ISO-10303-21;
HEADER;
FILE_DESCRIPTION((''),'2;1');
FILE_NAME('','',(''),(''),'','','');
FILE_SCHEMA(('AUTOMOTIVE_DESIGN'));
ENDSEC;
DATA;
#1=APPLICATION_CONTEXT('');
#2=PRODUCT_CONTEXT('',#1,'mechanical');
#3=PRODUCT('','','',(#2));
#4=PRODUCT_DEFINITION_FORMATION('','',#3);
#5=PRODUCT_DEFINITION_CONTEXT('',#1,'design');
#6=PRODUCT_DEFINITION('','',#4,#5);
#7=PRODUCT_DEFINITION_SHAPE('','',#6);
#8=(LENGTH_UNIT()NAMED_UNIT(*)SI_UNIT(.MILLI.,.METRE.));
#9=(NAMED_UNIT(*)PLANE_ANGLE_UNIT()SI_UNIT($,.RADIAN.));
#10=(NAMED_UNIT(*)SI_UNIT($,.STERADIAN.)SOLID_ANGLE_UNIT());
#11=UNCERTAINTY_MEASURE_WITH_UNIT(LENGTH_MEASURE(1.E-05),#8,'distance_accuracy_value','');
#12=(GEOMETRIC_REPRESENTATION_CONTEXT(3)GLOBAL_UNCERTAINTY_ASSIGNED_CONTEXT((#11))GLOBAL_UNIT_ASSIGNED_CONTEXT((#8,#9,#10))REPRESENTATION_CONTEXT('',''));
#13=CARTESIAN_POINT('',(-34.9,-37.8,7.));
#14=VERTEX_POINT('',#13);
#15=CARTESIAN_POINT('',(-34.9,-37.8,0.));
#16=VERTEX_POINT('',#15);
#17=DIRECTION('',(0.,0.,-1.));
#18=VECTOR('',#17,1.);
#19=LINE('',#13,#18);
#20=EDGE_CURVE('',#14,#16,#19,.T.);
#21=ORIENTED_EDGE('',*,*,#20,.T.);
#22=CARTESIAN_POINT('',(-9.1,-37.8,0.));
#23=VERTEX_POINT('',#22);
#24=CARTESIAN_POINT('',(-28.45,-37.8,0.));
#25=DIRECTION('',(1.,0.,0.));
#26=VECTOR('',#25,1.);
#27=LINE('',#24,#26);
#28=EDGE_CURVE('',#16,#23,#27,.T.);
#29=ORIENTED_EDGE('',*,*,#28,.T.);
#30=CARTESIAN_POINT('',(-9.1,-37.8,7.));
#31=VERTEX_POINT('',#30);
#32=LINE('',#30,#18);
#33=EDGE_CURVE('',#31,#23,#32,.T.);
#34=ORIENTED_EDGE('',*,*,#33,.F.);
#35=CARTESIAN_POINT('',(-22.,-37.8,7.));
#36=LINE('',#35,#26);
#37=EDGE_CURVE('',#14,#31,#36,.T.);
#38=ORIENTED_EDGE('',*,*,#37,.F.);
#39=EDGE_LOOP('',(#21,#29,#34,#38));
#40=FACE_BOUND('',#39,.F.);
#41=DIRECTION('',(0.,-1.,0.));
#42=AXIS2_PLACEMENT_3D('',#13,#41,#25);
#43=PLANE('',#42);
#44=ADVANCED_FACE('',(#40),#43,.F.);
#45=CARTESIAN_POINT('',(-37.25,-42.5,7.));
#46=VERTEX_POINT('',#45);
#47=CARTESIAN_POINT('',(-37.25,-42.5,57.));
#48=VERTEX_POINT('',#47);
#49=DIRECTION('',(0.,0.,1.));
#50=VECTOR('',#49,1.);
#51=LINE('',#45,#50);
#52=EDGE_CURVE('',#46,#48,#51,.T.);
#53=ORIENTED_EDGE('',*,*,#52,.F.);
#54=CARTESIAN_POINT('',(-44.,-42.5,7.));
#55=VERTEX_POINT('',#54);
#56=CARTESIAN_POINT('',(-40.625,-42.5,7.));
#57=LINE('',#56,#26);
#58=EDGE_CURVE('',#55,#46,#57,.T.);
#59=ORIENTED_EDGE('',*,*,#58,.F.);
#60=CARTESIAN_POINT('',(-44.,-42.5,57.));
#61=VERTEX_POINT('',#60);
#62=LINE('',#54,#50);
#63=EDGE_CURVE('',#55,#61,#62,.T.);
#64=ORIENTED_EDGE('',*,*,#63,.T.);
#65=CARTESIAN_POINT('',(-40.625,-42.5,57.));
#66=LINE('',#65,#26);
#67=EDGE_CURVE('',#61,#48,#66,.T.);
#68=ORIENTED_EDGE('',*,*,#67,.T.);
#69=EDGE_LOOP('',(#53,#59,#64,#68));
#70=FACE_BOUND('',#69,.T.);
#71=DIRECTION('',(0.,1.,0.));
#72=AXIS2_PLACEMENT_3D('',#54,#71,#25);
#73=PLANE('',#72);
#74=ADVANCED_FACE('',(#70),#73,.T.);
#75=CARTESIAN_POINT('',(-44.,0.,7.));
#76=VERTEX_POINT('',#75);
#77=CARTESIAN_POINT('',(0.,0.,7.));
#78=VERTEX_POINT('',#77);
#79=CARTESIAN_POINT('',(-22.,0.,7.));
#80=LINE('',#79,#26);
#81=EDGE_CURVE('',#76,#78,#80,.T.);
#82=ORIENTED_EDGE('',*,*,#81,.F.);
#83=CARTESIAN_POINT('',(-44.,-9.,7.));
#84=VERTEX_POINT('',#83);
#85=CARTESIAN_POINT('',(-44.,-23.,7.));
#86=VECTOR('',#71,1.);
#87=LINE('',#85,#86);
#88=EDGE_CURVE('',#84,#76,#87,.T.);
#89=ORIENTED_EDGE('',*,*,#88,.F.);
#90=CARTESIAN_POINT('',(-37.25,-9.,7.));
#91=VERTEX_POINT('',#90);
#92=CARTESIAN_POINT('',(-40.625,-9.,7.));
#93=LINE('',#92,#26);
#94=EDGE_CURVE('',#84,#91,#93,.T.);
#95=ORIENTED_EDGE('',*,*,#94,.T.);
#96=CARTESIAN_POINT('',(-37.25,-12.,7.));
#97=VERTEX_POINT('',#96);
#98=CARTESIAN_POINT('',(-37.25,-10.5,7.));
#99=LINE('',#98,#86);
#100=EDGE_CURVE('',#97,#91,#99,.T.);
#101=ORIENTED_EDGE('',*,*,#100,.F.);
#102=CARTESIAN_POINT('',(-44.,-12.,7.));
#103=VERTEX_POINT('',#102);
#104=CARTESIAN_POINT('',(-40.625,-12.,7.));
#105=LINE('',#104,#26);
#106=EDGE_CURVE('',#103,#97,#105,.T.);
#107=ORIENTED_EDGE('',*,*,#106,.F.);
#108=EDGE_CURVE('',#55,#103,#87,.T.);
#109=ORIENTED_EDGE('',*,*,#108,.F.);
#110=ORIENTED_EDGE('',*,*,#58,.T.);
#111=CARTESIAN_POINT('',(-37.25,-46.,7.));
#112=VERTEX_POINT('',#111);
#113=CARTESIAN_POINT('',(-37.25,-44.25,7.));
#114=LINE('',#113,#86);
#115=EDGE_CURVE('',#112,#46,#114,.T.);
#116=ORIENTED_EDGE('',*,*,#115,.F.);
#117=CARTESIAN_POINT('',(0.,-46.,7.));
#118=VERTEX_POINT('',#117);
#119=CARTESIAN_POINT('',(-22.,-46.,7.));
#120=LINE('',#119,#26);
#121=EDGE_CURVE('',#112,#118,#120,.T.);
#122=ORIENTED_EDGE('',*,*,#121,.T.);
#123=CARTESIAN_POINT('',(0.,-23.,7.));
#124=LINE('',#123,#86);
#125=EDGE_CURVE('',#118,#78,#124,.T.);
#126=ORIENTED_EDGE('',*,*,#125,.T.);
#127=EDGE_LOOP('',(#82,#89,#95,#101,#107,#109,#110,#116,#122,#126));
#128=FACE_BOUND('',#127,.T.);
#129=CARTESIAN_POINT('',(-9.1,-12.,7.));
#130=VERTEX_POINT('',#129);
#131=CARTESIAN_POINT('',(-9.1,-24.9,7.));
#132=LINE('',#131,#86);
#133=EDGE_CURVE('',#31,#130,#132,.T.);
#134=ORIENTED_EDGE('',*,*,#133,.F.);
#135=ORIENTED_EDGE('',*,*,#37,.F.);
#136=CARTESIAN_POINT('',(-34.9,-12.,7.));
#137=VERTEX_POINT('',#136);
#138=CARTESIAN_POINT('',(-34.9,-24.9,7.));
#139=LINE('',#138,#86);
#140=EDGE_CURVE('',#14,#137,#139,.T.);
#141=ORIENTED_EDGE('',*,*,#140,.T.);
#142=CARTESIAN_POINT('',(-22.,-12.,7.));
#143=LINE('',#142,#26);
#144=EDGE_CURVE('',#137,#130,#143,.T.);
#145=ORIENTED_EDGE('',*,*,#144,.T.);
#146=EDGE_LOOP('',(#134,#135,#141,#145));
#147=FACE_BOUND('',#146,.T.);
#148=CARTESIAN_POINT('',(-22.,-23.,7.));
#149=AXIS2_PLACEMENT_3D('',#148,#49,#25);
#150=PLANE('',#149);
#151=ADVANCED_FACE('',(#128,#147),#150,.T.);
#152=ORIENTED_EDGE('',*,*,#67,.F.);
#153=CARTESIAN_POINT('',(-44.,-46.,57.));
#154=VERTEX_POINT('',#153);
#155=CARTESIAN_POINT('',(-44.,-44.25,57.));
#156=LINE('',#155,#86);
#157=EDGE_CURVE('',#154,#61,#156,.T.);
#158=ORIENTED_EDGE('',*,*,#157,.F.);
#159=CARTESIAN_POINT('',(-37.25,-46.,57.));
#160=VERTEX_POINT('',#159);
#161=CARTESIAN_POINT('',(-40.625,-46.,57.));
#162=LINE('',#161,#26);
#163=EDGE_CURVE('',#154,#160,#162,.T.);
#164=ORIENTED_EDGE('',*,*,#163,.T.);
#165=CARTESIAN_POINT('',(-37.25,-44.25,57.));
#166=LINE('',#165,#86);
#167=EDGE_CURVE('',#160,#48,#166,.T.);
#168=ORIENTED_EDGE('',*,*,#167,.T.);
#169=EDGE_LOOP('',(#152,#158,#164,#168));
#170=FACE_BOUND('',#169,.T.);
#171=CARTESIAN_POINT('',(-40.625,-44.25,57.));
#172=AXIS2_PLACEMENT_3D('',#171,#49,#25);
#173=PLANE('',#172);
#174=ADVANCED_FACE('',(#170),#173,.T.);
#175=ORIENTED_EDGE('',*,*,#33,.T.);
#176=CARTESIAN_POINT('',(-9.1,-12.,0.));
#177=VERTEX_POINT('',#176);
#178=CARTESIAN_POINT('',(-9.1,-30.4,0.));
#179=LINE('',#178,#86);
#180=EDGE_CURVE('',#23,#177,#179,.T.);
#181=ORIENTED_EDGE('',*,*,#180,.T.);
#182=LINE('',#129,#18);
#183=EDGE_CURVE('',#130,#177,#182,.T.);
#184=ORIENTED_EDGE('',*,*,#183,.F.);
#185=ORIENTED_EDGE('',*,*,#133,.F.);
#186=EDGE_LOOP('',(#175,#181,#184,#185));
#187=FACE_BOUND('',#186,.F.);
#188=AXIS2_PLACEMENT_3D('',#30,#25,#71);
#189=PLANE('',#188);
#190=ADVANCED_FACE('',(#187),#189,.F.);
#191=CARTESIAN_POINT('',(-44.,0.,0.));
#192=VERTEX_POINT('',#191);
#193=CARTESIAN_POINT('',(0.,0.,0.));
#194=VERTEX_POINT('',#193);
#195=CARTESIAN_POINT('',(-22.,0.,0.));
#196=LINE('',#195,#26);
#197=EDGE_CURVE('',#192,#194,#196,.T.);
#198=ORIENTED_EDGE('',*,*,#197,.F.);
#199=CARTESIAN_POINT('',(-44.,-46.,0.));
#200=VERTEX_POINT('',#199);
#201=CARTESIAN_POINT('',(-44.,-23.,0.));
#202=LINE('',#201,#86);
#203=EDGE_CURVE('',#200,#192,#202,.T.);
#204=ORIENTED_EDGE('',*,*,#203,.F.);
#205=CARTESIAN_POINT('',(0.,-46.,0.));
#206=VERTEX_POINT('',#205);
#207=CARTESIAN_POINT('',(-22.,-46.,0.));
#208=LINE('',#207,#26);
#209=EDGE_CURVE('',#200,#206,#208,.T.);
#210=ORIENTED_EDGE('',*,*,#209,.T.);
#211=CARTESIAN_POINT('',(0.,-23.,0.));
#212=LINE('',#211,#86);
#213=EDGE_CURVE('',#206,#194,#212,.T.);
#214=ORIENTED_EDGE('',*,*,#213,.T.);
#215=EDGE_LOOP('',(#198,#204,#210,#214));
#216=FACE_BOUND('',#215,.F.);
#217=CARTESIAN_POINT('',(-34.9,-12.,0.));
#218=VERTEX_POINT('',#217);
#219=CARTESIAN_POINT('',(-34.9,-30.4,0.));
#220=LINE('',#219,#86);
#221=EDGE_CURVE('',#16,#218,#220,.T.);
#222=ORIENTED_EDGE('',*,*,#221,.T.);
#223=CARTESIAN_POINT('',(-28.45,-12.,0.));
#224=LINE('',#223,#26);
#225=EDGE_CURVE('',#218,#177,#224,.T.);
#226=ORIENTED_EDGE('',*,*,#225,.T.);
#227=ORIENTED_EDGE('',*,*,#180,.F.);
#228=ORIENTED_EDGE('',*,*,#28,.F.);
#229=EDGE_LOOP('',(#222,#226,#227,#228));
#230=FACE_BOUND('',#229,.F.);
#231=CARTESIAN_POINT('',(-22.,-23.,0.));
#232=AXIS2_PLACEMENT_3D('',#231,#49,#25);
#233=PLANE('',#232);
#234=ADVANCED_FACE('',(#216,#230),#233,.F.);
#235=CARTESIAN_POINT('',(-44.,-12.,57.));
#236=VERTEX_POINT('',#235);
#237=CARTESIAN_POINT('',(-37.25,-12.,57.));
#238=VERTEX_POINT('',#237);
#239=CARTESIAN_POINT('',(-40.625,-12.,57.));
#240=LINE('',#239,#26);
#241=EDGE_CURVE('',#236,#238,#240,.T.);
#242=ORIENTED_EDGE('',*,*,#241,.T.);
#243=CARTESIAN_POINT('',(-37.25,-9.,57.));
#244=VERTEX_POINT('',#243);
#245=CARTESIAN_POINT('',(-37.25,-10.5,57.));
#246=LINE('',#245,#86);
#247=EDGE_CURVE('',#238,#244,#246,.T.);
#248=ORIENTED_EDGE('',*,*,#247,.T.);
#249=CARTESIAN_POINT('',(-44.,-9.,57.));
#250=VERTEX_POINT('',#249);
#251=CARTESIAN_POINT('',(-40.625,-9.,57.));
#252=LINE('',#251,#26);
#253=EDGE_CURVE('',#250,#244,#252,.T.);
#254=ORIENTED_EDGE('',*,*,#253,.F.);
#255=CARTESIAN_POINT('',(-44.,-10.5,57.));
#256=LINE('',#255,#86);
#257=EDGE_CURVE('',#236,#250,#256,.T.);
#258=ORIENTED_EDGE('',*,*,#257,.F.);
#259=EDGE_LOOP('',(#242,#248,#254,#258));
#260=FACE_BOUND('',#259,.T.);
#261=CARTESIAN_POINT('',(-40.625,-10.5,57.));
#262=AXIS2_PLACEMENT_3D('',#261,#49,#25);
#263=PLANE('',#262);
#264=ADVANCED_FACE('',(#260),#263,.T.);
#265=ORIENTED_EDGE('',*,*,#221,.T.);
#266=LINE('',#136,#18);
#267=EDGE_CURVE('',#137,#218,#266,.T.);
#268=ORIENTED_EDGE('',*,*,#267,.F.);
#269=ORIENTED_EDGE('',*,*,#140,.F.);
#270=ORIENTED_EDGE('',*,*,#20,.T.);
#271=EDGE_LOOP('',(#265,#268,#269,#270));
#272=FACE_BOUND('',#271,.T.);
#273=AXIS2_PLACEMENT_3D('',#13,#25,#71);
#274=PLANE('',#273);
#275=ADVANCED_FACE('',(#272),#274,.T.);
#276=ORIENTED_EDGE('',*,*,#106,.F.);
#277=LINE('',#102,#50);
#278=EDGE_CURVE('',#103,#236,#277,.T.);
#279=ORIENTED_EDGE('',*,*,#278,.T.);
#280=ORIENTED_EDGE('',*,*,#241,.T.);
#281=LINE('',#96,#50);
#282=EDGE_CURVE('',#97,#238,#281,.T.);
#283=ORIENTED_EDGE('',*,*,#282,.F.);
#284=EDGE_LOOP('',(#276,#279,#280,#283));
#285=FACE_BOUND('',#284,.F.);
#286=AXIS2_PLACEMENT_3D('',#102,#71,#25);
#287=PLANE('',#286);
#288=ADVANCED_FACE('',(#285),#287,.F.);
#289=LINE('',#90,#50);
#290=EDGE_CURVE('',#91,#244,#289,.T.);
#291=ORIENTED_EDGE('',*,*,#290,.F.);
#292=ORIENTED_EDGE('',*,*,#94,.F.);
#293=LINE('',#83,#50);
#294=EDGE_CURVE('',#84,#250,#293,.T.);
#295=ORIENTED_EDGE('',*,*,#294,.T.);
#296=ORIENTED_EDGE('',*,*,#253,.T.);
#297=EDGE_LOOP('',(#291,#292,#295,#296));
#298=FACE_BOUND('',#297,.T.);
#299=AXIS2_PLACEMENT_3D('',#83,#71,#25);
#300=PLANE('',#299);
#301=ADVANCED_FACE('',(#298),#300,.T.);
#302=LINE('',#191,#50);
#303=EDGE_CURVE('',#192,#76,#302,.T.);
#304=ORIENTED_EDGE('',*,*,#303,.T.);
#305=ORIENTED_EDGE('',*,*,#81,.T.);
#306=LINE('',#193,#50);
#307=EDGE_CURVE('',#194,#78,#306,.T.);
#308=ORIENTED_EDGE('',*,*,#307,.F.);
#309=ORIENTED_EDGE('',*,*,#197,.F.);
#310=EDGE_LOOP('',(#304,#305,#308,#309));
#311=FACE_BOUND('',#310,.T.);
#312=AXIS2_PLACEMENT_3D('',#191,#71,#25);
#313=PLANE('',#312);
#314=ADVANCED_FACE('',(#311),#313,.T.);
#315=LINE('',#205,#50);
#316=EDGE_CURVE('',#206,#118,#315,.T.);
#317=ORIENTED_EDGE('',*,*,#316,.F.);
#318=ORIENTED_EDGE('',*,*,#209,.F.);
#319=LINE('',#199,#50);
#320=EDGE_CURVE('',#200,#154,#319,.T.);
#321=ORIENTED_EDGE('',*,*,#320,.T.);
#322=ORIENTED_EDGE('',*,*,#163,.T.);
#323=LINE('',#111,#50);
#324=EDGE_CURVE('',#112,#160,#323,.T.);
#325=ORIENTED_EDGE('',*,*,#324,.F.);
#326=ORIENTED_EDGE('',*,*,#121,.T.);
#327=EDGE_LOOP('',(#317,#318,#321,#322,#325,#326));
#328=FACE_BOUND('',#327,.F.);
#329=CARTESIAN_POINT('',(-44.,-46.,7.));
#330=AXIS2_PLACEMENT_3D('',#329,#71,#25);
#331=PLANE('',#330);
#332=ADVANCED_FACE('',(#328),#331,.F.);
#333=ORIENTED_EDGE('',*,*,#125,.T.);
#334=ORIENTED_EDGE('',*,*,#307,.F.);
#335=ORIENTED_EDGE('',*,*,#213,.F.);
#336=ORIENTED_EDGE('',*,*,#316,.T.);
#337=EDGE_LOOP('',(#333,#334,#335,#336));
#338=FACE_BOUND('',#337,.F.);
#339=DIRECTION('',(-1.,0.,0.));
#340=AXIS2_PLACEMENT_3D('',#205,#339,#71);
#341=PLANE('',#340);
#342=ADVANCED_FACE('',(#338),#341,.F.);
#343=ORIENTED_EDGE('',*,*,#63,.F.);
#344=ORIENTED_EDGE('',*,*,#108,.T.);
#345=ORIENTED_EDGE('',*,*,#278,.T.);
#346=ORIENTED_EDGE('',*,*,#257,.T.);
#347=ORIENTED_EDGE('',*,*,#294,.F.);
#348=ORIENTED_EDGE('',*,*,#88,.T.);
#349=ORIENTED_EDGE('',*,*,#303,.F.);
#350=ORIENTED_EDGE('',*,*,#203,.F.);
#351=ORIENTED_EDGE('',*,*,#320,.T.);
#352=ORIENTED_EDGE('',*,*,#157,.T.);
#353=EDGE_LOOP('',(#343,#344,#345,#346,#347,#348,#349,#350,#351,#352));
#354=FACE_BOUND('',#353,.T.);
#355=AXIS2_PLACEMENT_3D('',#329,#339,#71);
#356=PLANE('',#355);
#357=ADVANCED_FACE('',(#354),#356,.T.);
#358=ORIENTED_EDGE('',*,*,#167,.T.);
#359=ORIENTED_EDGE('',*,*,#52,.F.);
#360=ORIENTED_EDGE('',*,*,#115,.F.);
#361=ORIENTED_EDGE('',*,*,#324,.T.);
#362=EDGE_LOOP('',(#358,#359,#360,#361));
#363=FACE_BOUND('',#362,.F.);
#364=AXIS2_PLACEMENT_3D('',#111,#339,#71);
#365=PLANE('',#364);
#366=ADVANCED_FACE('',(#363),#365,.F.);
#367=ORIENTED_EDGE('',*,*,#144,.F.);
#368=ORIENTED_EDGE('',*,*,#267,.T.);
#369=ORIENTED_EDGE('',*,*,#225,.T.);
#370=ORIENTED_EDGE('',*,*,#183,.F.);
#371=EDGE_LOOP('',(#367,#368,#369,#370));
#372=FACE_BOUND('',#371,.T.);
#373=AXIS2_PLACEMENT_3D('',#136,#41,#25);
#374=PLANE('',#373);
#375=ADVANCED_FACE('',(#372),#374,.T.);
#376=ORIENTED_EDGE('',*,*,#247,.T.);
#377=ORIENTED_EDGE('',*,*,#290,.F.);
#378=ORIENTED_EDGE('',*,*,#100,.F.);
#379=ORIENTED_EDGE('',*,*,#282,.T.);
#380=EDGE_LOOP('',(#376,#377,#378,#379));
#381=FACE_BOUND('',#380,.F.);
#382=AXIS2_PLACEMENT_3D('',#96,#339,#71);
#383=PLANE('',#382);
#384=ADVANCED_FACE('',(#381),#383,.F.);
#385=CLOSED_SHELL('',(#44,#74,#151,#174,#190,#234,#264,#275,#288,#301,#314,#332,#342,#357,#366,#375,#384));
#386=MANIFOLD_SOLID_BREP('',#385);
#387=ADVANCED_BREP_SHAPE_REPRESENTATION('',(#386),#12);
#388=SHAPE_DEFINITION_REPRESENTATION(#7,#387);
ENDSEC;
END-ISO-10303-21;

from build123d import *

# Parameters (mm, degrees)
SKETCH_W     = 44
SKETCH_H     = 46
PAD_DEPTH    = 7
SKETCH001_W  = 25.8
SKETCH001_H  = 25.8
POCKET_DEPTH = 8
SKETCH002_W  = 6.75
SKETCH002_H  = 3
PAD001_DEPTH = 50
SKETCH014_W  = 6.75
SKETCH014_H  = 3.5
PAD014_DEPTH = 50


with BuildPart() as part:
    # Sketch → Pad (new body)
    with BuildSketch(Plane.XY):
        with Locations((-22, -23)):
            Rectangle(SKETCH_W, SKETCH_H)
    extrude(amount=PAD_DEPTH)

    # Sketch001 (on Face6 of Pad) → Pocket (cut)
    with BuildSketch(Plane.XY.offset(7)):
        with Locations((-22, -24.9)):
            Rectangle(SKETCH001_W, SKETCH001_H)
    extrude(amount=-POCKET_DEPTH, mode=Mode.SUBTRACT)

    # Sketch002 (on Face5 of Pocket) → Pad001 (new body)
    with BuildSketch(Plane.XY.offset(7)):
        with Locations((-40.625, -10.5)):
            Rectangle(SKETCH002_W, SKETCH002_H)
    extrude(amount=PAD001_DEPTH)

    # Sketch014 (on Face5 of Pad001) → Pad014 (new body)
    with BuildSketch(Plane.XY.offset(7)):
        with Locations((-40.625, -44.25)):
            Rectangle(SKETCH014_W, SKETCH014_H)
    extrude(amount=PAD014_DEPTH)


solid = part.part
